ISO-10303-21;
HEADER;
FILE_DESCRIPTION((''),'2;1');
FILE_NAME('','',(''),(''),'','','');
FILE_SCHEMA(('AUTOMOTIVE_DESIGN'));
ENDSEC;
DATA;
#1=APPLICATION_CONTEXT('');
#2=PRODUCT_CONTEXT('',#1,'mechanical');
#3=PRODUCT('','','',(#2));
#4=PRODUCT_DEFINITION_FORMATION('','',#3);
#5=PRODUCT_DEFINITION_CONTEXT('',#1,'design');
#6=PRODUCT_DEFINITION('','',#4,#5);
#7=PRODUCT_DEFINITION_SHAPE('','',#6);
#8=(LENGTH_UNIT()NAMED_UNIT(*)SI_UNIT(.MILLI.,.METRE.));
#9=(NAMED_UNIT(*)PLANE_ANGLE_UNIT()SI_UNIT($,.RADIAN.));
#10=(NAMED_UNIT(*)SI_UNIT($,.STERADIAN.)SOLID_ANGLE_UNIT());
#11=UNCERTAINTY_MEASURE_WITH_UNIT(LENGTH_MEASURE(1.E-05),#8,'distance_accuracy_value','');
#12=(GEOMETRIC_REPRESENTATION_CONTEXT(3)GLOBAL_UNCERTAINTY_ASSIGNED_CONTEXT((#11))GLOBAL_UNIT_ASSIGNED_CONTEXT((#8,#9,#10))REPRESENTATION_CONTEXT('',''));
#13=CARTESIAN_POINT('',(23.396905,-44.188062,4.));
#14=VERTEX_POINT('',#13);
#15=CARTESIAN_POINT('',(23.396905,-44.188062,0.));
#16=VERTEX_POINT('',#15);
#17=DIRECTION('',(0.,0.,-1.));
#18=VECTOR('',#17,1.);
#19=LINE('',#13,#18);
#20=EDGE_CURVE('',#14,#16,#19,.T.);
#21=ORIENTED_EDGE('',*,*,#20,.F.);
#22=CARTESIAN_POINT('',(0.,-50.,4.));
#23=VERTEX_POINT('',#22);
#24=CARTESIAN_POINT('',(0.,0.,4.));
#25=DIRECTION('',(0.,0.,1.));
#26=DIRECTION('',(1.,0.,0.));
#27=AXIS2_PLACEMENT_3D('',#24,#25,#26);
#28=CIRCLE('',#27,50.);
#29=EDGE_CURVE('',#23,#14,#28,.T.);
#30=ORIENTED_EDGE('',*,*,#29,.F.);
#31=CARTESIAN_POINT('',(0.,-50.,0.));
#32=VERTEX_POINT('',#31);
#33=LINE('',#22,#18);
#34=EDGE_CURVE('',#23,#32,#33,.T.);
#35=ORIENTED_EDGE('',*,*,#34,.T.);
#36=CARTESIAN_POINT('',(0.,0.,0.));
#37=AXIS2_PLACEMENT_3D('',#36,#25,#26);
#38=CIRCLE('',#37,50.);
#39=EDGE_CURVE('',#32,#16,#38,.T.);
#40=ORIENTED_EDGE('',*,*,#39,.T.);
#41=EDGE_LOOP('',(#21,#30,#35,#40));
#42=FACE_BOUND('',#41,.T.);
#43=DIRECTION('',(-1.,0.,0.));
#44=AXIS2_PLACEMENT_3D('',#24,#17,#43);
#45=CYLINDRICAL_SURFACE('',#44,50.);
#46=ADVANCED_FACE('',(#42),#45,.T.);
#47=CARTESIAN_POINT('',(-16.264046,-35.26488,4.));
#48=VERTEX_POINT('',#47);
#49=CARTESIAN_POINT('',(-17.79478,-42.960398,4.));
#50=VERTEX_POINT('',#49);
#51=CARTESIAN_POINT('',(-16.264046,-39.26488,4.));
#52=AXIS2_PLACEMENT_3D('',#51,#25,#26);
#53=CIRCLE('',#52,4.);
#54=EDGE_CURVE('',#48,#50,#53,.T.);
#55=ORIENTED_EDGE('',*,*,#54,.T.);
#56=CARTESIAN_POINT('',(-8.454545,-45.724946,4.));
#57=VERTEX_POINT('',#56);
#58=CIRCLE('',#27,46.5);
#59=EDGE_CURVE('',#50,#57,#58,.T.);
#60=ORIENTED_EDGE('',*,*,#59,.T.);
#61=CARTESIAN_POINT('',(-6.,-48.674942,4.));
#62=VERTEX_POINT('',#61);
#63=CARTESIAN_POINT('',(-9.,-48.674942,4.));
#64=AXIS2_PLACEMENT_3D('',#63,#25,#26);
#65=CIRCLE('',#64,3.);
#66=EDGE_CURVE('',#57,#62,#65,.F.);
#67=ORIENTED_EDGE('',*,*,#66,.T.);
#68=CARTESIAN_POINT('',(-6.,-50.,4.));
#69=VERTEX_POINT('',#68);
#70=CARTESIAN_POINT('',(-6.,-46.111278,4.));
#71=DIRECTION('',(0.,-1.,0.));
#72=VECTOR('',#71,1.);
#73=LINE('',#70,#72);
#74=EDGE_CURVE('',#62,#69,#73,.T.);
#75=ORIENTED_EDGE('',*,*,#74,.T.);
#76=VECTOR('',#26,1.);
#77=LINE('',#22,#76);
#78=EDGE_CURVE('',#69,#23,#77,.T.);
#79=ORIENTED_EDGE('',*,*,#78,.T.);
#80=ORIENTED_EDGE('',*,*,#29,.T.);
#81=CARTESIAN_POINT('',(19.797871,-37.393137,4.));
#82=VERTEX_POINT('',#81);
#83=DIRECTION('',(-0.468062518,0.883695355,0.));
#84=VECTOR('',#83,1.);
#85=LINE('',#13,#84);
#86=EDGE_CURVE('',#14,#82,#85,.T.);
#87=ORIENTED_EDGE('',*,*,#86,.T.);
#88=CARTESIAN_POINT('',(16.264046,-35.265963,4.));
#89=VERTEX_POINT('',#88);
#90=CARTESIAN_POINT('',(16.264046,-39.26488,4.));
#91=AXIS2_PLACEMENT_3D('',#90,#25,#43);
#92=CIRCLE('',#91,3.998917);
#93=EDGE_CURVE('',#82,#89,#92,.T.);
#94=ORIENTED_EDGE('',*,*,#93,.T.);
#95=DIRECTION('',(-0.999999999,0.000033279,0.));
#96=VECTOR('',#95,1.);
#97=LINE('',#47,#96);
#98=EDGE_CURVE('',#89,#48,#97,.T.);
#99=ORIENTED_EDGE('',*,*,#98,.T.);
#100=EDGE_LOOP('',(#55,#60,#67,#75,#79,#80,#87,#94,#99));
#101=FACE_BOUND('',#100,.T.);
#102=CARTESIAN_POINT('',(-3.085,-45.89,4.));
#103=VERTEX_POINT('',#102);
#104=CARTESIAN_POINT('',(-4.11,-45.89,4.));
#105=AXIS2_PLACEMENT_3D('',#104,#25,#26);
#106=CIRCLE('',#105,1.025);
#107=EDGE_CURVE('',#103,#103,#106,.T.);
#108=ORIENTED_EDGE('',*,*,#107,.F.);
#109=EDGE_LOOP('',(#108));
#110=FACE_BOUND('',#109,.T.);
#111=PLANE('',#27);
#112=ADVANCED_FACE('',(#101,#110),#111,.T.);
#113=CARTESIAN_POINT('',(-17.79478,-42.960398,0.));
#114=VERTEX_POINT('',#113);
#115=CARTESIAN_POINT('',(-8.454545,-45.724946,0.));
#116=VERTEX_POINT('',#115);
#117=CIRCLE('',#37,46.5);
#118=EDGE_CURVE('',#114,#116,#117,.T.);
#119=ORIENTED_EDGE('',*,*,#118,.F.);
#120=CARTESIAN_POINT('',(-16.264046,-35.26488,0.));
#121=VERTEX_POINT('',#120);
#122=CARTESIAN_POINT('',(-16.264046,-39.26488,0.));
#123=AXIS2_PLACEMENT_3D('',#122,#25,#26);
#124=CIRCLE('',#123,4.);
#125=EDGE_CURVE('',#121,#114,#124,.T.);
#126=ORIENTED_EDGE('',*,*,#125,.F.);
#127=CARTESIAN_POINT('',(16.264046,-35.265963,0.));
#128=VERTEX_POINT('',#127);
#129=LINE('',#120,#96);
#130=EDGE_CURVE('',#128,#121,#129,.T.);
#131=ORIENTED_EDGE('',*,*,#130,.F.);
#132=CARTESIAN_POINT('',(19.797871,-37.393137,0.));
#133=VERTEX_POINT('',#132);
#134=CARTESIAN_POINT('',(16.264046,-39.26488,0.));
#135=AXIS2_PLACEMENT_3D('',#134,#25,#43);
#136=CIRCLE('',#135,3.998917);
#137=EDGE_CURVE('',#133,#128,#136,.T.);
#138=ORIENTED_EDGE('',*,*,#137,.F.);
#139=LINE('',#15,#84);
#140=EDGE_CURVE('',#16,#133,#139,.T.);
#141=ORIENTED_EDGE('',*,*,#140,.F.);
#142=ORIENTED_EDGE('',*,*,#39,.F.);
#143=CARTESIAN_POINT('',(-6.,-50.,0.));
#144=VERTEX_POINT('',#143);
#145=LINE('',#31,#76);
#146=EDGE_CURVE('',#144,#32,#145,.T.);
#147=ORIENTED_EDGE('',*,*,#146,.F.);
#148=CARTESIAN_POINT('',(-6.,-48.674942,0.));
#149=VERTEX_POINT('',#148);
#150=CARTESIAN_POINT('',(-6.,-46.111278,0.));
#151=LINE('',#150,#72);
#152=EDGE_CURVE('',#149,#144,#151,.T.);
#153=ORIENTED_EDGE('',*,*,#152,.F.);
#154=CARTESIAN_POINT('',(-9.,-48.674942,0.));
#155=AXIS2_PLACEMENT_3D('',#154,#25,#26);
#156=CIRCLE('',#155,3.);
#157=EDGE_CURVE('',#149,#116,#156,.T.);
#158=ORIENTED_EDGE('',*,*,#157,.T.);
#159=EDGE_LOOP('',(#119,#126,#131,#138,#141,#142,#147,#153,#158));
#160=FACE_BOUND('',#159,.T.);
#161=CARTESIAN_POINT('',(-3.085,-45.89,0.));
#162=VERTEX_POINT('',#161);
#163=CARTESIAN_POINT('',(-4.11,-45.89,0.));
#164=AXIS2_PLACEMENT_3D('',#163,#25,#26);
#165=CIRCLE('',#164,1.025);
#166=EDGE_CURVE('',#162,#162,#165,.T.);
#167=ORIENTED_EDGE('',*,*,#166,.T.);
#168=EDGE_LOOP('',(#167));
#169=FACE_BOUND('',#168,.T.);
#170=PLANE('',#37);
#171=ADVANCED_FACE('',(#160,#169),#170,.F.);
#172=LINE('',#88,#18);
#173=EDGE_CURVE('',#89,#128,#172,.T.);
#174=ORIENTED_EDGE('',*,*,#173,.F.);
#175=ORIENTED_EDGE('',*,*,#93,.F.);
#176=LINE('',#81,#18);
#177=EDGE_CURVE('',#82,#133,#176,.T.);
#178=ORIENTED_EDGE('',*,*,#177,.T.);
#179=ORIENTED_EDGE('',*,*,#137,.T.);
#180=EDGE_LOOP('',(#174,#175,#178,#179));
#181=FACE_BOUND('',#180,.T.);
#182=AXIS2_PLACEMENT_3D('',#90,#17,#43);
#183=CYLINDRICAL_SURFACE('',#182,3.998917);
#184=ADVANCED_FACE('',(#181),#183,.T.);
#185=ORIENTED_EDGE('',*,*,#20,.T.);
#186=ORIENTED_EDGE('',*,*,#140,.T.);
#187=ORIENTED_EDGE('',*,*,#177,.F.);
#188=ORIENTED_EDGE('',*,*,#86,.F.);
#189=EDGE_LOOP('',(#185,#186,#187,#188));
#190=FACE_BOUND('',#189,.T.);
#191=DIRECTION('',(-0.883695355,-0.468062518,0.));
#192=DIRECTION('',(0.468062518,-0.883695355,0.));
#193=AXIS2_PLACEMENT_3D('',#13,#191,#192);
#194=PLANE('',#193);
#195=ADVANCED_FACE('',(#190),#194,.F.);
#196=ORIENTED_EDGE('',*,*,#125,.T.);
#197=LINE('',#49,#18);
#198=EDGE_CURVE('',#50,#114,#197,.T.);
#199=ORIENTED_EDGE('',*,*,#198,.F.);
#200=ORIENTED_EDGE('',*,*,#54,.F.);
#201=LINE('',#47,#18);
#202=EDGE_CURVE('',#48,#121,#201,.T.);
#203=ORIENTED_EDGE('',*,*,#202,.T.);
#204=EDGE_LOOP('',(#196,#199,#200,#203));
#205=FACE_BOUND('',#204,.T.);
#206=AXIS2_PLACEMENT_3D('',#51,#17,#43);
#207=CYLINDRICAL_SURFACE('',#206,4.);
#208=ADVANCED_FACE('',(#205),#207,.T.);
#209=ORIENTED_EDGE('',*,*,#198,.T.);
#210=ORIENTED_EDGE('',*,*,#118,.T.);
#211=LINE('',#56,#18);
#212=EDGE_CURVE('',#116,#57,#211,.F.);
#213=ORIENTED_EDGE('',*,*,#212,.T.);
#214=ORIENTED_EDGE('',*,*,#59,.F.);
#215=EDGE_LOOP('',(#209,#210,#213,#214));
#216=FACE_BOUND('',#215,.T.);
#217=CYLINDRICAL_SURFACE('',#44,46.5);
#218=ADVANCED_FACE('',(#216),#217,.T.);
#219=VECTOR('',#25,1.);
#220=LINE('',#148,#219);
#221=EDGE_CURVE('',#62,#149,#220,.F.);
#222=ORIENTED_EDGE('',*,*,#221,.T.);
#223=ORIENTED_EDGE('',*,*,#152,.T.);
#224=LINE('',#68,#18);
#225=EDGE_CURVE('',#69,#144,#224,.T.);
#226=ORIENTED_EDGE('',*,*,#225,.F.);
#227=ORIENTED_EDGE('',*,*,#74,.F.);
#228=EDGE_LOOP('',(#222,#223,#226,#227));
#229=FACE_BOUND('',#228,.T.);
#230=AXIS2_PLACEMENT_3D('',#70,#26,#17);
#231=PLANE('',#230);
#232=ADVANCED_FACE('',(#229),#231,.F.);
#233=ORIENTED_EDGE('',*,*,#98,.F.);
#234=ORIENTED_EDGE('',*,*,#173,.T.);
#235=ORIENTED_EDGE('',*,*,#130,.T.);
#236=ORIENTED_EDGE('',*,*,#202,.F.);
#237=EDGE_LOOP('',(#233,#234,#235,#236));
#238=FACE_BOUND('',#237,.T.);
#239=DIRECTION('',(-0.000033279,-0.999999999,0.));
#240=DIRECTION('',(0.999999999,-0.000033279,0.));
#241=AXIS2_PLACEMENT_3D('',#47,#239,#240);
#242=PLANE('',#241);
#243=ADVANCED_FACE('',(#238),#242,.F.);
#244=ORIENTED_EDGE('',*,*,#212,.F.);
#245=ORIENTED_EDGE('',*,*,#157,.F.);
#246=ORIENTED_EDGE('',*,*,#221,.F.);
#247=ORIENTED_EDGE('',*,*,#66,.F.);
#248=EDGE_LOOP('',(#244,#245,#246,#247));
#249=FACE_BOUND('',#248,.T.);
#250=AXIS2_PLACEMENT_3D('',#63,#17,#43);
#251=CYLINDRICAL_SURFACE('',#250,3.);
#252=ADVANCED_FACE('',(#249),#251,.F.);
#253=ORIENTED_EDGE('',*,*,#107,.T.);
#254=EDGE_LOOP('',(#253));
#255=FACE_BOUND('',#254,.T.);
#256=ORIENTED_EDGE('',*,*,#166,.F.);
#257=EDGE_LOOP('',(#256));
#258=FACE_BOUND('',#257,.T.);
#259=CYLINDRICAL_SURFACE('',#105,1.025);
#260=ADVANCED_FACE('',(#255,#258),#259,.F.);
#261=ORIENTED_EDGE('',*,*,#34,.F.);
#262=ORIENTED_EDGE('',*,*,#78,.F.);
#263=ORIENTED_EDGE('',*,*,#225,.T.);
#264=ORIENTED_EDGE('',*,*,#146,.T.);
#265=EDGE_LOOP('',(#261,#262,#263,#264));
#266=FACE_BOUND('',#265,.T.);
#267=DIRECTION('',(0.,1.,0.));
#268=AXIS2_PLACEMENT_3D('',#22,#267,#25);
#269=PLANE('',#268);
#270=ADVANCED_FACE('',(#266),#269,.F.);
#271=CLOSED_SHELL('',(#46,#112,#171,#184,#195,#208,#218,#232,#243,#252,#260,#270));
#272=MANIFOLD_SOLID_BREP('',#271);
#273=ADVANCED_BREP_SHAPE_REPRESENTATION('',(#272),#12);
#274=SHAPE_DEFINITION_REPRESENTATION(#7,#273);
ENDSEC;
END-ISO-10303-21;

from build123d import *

# Parameters (mm, degrees)
EXTRUDE_1_DEPTH = 4
M2_5X0_45_1_D   = 2.05
FILLET_1_R      = 3


with BuildPart() as part:
    # 草图1 → 凸台-拉伸1 (new body)
    with BuildSketch(Plane.XY):
        with BuildLine():
            Line((0, -50), (-6, -50))
            Line((-6, -50), (-6, -46.111278447))
            ThreePointArc((-6, -46.111278447), (-12.001245585, -44.924604666), (-17.794779605, -42.960398262))
            ThreePointArc((-17.794779605, -42.960398262), (-20.187186997, -38.484518844), (-16.264045876, -35.264880132))
            Line((-16.264045876, -35.264880132), (16.264045876, -35.265962637))
            ThreePointArc((16.264045876, -35.265962637), (18.326373898, -35.838782605), (19.797870689, -37.393136741))
            Line((19.797870689, -37.393136741), (23.396904993, -44.188062152))
            ThreePointArc((23.396904993, -44.188062152), (12.053980513, -48.525267169), (0, -50))
        make_face()
    extrude(amount=EXTRUDE_1_DEPTH)

    # M2.5x0.45 螺纹孔1 (through all)
    with Locations(Plane(origin=(-4.11, -45.89, 4), x_dir=(1, 0, 0), z_dir=(0, 0, 1))):
        with Locations((0, 0)):
            Hole(M2_5X0_45_1_D / 2)

    # 圆角1
    fillet_1_edges = [part.edges().sort_by_distance(p)[0] for p in [
        (-6, -46.111278447, 2),
    ]]
    fillet(fillet_1_edges, radius=FILLET_1_R)


solid = part.part
